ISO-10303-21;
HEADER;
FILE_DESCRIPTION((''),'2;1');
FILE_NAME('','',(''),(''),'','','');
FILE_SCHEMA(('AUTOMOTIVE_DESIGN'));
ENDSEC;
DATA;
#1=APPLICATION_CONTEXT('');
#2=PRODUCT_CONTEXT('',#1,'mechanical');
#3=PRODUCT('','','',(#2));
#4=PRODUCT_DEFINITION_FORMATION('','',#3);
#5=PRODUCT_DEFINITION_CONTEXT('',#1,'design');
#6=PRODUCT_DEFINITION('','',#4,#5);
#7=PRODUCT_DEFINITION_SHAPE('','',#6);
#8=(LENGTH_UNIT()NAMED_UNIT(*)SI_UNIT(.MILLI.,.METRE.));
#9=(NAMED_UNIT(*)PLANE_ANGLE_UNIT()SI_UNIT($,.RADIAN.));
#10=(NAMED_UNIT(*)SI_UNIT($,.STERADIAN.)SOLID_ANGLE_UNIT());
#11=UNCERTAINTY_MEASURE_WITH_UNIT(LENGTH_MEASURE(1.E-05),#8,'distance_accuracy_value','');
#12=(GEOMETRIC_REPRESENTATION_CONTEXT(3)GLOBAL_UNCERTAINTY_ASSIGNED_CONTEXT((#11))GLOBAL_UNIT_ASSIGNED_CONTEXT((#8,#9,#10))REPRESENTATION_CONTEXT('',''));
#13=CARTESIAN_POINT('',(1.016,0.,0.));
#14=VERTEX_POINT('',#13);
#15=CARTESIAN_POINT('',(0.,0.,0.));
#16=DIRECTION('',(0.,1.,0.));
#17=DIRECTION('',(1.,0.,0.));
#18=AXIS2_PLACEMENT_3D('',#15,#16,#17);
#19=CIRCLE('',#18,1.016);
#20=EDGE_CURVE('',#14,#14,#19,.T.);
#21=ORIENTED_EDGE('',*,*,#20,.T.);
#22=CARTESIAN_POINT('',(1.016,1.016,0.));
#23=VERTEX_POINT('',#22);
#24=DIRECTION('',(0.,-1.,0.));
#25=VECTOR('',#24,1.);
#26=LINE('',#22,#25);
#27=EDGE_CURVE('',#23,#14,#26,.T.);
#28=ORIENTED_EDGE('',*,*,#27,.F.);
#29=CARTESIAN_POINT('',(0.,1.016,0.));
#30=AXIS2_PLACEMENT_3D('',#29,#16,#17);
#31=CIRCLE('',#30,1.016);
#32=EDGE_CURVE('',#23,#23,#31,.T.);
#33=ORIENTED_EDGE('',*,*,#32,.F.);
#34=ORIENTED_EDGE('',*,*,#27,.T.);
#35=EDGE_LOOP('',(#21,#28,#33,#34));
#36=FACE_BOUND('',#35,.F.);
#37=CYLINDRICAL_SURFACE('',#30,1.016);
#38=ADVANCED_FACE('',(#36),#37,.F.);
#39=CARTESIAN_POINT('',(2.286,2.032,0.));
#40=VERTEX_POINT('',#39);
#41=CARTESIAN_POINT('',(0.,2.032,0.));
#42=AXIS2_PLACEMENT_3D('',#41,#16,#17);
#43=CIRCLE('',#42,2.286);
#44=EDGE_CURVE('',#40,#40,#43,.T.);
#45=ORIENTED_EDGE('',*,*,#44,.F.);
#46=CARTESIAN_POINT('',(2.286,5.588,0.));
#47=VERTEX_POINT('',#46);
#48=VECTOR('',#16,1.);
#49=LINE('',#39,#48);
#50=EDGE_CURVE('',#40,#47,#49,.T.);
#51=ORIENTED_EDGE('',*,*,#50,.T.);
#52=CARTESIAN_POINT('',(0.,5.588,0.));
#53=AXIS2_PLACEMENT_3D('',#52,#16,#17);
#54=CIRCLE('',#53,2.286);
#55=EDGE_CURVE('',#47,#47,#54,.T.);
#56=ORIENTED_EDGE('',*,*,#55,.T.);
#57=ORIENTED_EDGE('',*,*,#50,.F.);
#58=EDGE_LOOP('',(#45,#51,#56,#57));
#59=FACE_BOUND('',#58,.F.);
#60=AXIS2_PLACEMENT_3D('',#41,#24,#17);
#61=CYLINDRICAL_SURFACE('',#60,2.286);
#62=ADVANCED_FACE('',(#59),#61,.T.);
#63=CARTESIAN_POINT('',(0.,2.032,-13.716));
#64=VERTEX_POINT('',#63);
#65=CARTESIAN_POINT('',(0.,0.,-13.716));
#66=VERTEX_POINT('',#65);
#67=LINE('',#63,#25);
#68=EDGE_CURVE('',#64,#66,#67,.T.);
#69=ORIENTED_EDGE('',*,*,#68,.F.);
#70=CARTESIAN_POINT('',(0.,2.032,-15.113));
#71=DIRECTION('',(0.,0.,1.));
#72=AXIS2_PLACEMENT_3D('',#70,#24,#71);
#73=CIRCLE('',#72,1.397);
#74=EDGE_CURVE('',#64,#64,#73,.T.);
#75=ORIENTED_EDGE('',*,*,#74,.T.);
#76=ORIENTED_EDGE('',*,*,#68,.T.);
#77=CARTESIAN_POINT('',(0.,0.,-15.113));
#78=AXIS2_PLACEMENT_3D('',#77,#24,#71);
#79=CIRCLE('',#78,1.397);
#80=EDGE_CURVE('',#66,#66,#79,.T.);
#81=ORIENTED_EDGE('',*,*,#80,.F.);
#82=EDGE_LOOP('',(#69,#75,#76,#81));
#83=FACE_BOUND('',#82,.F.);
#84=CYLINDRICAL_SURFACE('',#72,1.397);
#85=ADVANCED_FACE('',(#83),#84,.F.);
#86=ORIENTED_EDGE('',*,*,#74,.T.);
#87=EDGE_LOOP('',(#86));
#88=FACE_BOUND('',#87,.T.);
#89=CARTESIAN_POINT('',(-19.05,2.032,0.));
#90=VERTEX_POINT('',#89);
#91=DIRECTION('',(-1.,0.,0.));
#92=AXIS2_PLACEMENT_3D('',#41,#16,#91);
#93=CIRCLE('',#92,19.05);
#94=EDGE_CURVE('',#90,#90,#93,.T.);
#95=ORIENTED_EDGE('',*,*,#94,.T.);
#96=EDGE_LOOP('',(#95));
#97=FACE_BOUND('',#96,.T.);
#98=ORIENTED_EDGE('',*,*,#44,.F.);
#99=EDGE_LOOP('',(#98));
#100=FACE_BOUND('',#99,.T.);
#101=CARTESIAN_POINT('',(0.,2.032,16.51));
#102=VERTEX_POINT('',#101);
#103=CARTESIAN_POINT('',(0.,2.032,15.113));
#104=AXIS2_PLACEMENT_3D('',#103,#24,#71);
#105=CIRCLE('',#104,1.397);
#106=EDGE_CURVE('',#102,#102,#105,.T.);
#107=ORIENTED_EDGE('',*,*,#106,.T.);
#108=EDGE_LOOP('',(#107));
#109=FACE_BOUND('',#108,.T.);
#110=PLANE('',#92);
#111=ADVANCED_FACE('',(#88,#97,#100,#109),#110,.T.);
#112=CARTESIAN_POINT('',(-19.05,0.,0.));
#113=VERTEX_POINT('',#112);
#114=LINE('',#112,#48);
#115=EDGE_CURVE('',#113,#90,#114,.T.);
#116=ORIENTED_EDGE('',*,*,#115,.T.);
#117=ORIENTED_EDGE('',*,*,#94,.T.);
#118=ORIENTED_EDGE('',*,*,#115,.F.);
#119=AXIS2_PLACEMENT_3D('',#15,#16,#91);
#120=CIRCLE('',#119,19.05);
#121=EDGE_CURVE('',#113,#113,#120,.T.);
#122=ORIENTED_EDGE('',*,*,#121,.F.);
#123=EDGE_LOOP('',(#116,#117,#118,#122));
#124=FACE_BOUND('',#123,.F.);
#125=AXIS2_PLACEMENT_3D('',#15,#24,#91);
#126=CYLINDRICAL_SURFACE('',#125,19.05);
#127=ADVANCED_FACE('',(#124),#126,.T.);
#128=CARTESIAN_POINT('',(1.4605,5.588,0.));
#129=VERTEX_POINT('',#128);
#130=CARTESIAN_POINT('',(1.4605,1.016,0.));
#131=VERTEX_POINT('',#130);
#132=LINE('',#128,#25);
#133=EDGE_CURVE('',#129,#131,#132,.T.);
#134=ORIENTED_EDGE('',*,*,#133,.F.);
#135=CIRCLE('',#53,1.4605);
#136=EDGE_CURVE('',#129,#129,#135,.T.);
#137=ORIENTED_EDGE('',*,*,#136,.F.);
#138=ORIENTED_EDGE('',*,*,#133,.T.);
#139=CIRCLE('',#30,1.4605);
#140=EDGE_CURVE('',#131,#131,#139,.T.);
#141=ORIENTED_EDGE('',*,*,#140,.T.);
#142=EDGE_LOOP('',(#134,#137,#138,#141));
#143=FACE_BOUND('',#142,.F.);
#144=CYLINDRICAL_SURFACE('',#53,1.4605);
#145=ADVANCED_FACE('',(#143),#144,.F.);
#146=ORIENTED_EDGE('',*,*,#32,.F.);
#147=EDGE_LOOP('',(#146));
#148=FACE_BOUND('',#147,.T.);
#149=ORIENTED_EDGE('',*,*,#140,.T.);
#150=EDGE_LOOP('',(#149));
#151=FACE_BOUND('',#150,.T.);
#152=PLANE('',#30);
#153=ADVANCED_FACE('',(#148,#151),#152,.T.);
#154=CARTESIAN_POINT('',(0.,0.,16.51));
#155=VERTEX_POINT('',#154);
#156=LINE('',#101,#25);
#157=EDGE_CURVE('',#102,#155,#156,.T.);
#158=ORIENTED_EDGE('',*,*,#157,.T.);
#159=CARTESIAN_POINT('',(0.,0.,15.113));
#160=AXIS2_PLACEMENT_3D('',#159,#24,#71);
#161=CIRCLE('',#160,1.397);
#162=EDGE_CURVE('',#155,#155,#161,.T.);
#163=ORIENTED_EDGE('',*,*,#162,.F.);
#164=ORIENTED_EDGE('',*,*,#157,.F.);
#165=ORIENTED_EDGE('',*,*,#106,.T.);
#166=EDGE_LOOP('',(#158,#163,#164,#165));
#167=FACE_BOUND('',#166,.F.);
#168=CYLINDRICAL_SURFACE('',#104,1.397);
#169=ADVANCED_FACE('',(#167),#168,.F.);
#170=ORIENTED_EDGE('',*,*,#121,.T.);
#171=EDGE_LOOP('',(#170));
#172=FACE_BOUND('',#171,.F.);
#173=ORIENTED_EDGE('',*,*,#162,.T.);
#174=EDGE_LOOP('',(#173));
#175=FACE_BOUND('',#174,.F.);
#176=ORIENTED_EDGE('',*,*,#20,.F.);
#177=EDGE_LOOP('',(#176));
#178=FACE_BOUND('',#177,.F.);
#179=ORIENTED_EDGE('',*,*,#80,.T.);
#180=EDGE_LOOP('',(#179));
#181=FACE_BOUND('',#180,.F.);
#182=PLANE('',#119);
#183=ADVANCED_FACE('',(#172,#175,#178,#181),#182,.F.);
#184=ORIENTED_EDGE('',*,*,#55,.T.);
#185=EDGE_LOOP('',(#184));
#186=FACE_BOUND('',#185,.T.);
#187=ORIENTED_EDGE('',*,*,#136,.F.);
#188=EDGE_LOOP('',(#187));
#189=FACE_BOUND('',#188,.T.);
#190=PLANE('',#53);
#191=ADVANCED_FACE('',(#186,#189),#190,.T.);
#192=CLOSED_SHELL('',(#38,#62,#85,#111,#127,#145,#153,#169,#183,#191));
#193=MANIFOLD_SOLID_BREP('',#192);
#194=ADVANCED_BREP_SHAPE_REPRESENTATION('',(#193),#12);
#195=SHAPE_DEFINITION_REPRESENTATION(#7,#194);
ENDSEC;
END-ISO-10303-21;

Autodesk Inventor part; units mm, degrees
ref_plane "YZ Plane" through (0, 0, 0) normal (1, 0, 0) x (0, 1, 0)
ref_plane "XZ Plane" through (0, 0, 0) normal (0, 1, 0) x (-1, 0, 0)
ref_plane "XY Plane" through (0, 0, 0) normal (0, 0, 1) x (1, 0, 0)
sketch "Sketch1" plane through (0, 0, 0) normal (0, 1, 0) x (-1, 0, 0)
  circle A0 centre (0, 0) radius 19.05
  dimension "d0" = 38.1
extrude "Extrusion1" add sketch "Sketch1" along normal blind 2.032
sketch "Sketch5" plane through (0, 2.032, 0) normal (0, 1, 0) x (1, 0, 0)
  circle A0 centre (0, 0) radius 2.286
  dimension "d14" = 4.572
extrude "Extrusion3" add sketch "Sketch5" along normal blind 3.556
sketch "Sketch6" plane through (0, 5.588, 0) normal (0, 1, 0) x (1, 0, 0)
  circle A0 centre (0, 0) radius 1.4605
  dimension "d17" = 2.921
extrude "Extrusion4" cut sketch "Sketch6" against normal blind 4.572
sketch "Sketch7" plane through (0, 1.016, 0) normal (0, 1, 0) x (1, 0, 0)
  circle A0 centre (0, 0) radius 1.016
  dimension "d20" = 2.032
extrude "Extrusion5" cut sketch "Sketch7" against normal blind 4.572
sketch "Sketch8" plane through (0, 2.032, 0) normal (0, 1, 0) x (1, 0, 0)
  circle A0 centre (0, 0) radius 19.05 projected
  line L0 (0, 19.05) -> (0, 15.113)
  line L1 (0, -19.05) -> (0, -15.113)
  dimension "d23" = 3.937
  dimension "d24" = 3.937
hole "Hole2" at (0, 2.032, -15.113) direction (0, -1, 0) diameter 2.794 end through all
sketch "Sketch9" plane through (0, 2.032, 0) normal (0, 1, 0) x (1, 0, 0)
  circle A0 centre (0, 0) radius 19.05 projected
  line L0 (0, -19.05) -> (0, -15.113)
  dimension "d32" = 3.937
hole "Hole3" at (0, 2.032, 15.113) direction (0, -1, 0) diameter 2.794 end through all
properties part number "Servo Horn v1"
